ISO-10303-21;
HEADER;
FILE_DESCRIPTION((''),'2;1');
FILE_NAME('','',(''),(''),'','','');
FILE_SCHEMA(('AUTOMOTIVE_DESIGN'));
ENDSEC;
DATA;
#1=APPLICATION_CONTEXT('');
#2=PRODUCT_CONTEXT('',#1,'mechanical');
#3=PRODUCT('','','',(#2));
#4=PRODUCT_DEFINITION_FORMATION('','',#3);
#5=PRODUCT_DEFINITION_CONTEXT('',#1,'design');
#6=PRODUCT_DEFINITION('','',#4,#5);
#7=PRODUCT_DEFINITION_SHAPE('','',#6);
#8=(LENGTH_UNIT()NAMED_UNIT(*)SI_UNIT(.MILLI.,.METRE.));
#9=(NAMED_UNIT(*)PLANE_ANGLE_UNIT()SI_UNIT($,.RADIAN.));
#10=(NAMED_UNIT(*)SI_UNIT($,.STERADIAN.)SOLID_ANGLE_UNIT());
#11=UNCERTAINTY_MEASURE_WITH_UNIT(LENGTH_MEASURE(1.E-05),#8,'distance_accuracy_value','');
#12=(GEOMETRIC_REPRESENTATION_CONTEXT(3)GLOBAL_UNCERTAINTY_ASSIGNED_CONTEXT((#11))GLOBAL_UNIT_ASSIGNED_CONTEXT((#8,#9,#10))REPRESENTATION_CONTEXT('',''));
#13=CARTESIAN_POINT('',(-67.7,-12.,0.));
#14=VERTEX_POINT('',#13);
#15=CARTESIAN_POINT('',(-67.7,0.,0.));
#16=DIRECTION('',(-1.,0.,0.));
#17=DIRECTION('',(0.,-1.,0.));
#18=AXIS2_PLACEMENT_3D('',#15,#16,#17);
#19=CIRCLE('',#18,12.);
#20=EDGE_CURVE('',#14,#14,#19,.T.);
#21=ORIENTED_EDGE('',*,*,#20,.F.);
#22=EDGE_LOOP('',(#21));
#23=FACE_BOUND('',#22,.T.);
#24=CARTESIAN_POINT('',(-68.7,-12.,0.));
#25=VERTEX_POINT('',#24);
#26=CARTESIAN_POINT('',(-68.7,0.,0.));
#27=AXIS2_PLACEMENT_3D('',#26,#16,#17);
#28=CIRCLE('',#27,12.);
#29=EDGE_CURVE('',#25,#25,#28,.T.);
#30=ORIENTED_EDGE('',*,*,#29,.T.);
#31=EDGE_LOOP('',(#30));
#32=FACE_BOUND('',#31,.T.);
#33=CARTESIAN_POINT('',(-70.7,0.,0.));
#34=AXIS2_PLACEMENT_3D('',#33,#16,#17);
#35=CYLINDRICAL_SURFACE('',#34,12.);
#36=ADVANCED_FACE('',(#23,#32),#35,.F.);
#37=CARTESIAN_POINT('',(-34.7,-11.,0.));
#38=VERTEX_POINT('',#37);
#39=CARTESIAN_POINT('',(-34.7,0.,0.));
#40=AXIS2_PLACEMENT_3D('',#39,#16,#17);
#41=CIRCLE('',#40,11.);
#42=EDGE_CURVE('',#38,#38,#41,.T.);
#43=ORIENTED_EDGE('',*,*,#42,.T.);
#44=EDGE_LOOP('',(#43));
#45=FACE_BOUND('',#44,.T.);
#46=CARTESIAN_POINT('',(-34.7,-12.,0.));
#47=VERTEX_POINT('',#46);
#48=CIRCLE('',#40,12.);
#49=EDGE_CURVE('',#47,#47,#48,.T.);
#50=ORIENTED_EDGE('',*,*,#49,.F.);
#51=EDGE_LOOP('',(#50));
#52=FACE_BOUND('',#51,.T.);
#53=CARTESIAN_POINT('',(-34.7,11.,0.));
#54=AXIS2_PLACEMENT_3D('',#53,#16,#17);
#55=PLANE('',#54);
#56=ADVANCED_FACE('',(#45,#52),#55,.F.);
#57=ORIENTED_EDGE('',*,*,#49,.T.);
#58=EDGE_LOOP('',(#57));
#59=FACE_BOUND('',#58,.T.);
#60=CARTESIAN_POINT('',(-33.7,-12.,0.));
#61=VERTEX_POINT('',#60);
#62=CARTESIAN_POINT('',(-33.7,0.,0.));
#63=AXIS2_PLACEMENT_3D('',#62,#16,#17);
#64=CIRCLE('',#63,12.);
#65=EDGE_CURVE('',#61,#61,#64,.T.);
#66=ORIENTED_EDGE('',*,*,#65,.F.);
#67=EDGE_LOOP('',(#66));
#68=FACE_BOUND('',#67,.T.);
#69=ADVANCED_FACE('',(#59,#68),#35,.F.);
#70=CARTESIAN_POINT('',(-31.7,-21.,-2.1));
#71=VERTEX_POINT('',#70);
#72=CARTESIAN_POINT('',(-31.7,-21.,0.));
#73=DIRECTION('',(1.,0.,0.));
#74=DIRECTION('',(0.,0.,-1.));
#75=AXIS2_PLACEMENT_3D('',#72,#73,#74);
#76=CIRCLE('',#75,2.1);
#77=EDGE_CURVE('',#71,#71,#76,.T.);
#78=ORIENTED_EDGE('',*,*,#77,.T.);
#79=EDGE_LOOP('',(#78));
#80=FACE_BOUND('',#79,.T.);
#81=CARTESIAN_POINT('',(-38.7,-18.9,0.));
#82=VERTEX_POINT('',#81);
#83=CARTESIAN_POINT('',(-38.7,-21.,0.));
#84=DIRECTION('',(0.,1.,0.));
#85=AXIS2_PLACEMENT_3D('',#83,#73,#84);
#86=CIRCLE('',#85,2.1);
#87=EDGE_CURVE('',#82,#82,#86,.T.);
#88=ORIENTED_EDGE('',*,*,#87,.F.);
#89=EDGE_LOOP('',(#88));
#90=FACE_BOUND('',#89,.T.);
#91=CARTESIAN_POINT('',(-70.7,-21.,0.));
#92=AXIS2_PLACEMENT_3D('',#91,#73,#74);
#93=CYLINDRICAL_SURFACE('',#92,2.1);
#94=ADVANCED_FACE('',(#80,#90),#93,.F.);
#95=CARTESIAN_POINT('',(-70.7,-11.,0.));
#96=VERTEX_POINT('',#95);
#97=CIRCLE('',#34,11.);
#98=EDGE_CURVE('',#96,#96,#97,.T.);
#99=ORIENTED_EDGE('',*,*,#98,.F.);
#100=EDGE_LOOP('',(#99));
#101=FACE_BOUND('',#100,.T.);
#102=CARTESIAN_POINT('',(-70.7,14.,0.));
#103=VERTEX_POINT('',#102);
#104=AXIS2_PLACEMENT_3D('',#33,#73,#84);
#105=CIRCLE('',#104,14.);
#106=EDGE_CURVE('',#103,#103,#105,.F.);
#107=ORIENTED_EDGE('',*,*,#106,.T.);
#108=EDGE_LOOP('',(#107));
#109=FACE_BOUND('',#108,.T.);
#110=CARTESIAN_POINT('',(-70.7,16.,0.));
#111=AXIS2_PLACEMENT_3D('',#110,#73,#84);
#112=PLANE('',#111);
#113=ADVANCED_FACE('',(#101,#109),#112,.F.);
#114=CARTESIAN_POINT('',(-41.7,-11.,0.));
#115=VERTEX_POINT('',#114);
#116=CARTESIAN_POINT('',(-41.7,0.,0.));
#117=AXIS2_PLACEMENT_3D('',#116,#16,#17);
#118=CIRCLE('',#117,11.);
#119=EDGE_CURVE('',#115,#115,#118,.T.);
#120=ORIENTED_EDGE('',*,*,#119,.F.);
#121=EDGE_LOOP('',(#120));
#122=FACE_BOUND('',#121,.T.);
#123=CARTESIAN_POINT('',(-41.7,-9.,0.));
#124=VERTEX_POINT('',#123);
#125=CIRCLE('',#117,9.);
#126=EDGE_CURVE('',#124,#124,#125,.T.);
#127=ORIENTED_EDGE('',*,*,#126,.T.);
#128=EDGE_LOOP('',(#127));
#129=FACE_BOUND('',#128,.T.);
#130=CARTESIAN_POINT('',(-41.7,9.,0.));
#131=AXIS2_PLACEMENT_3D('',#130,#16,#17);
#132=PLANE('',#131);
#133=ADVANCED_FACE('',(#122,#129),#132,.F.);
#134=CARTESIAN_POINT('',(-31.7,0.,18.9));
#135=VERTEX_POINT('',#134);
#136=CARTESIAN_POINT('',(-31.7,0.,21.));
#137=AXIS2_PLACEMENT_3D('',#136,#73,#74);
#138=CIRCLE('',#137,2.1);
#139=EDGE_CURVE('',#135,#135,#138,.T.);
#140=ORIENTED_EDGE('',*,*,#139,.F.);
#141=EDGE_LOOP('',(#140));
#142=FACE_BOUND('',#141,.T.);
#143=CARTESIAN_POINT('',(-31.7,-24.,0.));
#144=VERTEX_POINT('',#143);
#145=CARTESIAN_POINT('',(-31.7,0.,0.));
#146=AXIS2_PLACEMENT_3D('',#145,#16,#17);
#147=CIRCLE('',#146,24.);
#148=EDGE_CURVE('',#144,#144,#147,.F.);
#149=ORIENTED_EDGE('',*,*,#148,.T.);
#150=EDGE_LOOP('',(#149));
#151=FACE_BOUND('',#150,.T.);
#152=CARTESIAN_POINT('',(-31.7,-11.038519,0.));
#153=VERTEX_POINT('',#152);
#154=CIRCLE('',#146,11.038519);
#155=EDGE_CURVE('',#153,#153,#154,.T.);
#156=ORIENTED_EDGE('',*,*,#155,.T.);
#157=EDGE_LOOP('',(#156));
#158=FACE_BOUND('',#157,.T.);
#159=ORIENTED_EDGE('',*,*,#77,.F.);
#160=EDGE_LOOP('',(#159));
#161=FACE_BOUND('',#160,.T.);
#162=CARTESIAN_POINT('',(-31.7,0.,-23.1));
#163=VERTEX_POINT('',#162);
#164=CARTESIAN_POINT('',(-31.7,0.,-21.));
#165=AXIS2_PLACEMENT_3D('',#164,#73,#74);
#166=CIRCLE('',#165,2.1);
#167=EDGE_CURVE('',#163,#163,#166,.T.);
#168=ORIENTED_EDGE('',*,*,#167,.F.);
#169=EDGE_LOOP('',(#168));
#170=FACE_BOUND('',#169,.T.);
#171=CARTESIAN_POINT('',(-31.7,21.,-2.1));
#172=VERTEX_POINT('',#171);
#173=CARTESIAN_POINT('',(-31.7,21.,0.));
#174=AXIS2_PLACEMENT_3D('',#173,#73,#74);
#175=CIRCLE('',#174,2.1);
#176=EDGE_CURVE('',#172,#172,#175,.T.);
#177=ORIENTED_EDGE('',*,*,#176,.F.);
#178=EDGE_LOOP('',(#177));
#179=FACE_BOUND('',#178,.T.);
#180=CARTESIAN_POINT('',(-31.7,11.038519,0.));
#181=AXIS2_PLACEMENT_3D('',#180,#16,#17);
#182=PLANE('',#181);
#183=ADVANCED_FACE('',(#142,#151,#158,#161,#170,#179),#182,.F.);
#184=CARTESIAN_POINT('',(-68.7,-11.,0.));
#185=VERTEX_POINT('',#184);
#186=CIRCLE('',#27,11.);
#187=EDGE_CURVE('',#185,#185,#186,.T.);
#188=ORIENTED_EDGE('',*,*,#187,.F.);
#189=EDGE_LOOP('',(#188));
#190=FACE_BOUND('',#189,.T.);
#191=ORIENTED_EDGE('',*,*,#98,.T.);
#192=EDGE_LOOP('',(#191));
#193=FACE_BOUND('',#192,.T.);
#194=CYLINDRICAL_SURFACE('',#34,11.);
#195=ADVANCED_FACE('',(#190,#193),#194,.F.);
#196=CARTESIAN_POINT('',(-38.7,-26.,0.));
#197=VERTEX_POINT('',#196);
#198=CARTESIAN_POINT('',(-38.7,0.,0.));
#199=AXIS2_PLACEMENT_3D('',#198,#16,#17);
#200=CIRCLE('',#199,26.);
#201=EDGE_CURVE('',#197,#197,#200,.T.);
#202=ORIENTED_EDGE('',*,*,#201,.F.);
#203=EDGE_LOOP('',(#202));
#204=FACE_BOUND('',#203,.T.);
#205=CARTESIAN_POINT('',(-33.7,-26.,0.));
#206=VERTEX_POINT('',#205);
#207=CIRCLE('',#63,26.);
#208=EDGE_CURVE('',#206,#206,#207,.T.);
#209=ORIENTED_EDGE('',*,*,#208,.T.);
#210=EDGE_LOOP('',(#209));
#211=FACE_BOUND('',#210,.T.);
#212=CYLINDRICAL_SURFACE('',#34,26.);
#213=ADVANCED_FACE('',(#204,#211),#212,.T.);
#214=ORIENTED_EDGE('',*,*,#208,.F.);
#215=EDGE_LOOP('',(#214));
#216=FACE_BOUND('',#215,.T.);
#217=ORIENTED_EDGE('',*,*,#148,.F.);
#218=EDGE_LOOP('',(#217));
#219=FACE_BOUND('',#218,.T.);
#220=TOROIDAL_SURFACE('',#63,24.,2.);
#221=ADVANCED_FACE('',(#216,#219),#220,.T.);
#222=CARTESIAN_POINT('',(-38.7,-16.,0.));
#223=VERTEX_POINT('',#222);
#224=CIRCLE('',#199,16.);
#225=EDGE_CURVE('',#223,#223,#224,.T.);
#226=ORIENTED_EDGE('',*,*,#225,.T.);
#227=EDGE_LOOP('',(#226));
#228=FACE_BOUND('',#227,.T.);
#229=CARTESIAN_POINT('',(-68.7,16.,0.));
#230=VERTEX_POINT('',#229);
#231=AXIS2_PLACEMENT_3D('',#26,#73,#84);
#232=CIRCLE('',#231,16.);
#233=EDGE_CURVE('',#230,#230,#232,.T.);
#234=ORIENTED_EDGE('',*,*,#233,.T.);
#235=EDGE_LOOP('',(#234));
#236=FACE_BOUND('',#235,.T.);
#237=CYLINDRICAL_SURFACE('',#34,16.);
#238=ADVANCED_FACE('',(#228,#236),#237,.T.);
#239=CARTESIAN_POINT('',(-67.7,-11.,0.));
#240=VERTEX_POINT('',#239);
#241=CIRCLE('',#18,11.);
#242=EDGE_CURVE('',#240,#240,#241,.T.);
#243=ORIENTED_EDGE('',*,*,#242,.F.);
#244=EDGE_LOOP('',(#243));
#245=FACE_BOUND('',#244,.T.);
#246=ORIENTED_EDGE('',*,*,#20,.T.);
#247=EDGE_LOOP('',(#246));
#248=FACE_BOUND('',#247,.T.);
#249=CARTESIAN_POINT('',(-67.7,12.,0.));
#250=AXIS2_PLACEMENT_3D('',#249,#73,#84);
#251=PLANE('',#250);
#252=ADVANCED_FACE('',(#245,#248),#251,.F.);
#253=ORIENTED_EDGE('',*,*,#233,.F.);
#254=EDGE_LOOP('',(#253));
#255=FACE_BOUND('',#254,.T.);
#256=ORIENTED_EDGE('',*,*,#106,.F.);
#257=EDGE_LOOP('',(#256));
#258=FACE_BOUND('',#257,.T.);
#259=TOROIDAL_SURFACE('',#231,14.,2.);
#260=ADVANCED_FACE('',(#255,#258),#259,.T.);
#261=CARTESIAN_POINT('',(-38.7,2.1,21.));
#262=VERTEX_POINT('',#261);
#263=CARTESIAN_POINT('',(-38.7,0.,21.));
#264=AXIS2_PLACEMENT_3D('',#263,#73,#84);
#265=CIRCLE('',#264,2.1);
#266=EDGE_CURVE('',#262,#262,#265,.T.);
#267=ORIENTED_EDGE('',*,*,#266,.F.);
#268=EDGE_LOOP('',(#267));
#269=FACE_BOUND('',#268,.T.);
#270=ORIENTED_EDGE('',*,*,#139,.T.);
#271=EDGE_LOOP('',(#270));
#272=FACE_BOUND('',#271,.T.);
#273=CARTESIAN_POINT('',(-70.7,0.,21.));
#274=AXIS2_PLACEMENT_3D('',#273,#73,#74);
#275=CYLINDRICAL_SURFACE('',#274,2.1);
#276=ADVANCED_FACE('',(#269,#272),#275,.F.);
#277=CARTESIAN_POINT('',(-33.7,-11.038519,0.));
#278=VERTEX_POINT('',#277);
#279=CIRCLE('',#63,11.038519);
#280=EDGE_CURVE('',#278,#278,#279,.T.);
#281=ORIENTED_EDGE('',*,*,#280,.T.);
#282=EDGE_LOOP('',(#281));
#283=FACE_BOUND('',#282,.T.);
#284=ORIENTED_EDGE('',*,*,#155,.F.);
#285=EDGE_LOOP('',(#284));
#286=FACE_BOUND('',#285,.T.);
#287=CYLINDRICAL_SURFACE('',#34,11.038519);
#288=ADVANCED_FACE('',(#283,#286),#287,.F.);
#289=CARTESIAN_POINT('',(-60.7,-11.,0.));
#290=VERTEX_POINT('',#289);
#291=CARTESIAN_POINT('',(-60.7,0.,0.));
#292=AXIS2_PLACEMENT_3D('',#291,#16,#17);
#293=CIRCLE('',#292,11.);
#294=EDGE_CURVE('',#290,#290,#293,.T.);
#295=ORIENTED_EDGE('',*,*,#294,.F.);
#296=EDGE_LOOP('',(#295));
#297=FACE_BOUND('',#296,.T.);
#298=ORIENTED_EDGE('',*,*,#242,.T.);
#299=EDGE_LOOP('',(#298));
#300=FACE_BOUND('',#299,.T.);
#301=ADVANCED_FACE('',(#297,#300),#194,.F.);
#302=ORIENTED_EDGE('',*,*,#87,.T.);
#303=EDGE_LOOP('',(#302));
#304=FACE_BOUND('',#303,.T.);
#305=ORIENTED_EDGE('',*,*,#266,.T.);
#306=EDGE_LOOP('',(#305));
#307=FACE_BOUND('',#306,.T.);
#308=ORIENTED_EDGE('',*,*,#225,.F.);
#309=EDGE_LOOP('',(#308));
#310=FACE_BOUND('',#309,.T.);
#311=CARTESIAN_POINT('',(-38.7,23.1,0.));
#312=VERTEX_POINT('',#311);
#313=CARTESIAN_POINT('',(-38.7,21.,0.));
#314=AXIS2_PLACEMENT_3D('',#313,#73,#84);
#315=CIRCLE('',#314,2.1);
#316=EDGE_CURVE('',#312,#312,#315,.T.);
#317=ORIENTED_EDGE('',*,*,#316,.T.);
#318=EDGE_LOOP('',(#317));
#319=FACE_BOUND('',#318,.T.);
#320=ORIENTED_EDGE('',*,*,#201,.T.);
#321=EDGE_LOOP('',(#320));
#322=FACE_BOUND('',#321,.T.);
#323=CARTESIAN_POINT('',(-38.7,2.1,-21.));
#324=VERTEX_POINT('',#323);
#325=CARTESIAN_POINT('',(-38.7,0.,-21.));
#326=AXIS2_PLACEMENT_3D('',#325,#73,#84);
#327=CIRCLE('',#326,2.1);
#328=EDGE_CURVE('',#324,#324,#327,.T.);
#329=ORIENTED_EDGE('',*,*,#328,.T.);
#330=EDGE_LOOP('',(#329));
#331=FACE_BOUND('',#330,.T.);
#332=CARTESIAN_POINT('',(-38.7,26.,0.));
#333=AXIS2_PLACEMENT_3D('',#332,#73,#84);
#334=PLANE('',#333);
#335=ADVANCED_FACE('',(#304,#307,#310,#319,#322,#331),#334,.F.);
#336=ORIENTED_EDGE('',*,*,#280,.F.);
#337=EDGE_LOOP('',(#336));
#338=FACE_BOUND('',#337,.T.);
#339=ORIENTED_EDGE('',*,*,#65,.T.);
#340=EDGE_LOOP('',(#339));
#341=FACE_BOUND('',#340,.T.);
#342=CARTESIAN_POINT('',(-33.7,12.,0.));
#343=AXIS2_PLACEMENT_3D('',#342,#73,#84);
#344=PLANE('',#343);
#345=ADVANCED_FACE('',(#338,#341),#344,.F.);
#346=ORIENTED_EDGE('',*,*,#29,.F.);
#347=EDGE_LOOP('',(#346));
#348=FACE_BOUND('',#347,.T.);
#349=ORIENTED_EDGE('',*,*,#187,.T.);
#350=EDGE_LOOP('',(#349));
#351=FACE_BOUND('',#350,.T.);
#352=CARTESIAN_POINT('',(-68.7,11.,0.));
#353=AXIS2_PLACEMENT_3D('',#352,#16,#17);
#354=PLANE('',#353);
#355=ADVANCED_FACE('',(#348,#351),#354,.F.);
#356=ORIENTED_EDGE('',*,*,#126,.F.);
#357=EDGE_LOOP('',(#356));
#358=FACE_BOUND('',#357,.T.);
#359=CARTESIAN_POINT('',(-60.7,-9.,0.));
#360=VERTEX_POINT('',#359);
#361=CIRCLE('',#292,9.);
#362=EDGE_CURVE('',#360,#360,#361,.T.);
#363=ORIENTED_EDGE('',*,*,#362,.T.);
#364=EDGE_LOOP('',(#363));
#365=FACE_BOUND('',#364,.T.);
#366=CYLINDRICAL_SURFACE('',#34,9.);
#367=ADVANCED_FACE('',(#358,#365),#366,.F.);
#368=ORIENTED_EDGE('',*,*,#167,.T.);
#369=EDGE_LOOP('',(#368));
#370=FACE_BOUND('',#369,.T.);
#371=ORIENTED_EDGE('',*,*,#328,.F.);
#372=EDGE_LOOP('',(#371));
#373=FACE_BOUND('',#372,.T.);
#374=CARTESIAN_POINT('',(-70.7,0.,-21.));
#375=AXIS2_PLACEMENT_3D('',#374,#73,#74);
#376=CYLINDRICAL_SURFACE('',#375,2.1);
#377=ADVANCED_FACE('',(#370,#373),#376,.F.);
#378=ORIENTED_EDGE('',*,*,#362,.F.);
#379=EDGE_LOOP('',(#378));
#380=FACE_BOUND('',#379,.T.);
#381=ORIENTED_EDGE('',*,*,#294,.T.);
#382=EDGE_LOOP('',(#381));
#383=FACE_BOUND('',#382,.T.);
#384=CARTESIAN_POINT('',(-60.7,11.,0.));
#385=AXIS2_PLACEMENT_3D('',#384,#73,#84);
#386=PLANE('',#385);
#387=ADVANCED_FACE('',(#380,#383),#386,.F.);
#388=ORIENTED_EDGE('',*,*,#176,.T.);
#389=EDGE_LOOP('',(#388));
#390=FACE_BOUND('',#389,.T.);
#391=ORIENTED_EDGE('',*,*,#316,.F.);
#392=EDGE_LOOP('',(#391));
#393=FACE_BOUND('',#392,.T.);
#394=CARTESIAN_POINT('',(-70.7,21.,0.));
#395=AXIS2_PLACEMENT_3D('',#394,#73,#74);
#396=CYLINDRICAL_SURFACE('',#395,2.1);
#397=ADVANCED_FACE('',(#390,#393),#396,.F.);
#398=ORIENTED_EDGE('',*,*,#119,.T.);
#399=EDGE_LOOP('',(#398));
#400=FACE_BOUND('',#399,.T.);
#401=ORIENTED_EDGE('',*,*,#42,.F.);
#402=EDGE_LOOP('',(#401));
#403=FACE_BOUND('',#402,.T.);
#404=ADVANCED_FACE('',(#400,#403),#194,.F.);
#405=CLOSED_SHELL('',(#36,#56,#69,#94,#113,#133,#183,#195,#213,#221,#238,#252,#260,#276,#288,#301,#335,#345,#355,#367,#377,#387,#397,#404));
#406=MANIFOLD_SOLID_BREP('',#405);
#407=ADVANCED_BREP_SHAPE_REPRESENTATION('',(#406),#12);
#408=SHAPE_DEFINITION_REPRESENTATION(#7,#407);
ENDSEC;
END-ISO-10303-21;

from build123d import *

# Parameters (mm, degrees)
SKETCH2_R          = 2.1
CUT_EXTRUDE1_DEPTH = 54.600373133
FILLET1_R          = 2


with BuildPart() as part:
    # Sketch1 → Revolve1 (revolve)
    with BuildSketch(Plane.XY, mode=Mode.PRIVATE) as revolve1_sk:
        Polygon((-70.7, 11), (-68.7, 11), (-68.7, 12), (-67.7, 12), (-67.7, 11), (-60.7, 11), (-60.7, 9), (-41.7, 9), (-41.7, 11), (-34.7, 11), (-34.7, 12), (-33.7, 12), (-33.7, 11.038518603), (-31.7, 11.038518603), (-31.7, 26), (-38.7, 26), (-38.7, 16), (-70.7, 16), align=None)
    revolve(revolve1_sk.sketch.rotate(Axis((-70.7, 0, 0), (1, 0, 0)), 180), axis=Axis((-70.7, 0, 0), (1, 0, 0)))

    # Sketch2 → Cut-Extrude1 (cut, through all)
    with BuildSketch(Plane(origin=(-31.7, 0, 0), x_dir=(0, 0, -1), z_dir=(1, 0, 0))):
        with Locations((0, 21)):
            Circle(SKETCH2_R)
        with Locations((21, 0)):
            Circle(SKETCH2_R)
        with Locations((0, -21)):
            Circle(SKETCH2_R)
        with Locations((-21, 0)):
            Circle(SKETCH2_R)
    extrude(amount=-CUT_EXTRUDE1_DEPTH, mode=Mode.SUBTRACT)

    # Fillet1
    fillet1_edges = [part.edges().sort_by_distance(p)[0] for p in [
        (-70.7, 16, 0),
        (-31.7, 26, 0),
    ]]
    fillet(fillet1_edges, radius=FILLET1_R)


solid = part.part
